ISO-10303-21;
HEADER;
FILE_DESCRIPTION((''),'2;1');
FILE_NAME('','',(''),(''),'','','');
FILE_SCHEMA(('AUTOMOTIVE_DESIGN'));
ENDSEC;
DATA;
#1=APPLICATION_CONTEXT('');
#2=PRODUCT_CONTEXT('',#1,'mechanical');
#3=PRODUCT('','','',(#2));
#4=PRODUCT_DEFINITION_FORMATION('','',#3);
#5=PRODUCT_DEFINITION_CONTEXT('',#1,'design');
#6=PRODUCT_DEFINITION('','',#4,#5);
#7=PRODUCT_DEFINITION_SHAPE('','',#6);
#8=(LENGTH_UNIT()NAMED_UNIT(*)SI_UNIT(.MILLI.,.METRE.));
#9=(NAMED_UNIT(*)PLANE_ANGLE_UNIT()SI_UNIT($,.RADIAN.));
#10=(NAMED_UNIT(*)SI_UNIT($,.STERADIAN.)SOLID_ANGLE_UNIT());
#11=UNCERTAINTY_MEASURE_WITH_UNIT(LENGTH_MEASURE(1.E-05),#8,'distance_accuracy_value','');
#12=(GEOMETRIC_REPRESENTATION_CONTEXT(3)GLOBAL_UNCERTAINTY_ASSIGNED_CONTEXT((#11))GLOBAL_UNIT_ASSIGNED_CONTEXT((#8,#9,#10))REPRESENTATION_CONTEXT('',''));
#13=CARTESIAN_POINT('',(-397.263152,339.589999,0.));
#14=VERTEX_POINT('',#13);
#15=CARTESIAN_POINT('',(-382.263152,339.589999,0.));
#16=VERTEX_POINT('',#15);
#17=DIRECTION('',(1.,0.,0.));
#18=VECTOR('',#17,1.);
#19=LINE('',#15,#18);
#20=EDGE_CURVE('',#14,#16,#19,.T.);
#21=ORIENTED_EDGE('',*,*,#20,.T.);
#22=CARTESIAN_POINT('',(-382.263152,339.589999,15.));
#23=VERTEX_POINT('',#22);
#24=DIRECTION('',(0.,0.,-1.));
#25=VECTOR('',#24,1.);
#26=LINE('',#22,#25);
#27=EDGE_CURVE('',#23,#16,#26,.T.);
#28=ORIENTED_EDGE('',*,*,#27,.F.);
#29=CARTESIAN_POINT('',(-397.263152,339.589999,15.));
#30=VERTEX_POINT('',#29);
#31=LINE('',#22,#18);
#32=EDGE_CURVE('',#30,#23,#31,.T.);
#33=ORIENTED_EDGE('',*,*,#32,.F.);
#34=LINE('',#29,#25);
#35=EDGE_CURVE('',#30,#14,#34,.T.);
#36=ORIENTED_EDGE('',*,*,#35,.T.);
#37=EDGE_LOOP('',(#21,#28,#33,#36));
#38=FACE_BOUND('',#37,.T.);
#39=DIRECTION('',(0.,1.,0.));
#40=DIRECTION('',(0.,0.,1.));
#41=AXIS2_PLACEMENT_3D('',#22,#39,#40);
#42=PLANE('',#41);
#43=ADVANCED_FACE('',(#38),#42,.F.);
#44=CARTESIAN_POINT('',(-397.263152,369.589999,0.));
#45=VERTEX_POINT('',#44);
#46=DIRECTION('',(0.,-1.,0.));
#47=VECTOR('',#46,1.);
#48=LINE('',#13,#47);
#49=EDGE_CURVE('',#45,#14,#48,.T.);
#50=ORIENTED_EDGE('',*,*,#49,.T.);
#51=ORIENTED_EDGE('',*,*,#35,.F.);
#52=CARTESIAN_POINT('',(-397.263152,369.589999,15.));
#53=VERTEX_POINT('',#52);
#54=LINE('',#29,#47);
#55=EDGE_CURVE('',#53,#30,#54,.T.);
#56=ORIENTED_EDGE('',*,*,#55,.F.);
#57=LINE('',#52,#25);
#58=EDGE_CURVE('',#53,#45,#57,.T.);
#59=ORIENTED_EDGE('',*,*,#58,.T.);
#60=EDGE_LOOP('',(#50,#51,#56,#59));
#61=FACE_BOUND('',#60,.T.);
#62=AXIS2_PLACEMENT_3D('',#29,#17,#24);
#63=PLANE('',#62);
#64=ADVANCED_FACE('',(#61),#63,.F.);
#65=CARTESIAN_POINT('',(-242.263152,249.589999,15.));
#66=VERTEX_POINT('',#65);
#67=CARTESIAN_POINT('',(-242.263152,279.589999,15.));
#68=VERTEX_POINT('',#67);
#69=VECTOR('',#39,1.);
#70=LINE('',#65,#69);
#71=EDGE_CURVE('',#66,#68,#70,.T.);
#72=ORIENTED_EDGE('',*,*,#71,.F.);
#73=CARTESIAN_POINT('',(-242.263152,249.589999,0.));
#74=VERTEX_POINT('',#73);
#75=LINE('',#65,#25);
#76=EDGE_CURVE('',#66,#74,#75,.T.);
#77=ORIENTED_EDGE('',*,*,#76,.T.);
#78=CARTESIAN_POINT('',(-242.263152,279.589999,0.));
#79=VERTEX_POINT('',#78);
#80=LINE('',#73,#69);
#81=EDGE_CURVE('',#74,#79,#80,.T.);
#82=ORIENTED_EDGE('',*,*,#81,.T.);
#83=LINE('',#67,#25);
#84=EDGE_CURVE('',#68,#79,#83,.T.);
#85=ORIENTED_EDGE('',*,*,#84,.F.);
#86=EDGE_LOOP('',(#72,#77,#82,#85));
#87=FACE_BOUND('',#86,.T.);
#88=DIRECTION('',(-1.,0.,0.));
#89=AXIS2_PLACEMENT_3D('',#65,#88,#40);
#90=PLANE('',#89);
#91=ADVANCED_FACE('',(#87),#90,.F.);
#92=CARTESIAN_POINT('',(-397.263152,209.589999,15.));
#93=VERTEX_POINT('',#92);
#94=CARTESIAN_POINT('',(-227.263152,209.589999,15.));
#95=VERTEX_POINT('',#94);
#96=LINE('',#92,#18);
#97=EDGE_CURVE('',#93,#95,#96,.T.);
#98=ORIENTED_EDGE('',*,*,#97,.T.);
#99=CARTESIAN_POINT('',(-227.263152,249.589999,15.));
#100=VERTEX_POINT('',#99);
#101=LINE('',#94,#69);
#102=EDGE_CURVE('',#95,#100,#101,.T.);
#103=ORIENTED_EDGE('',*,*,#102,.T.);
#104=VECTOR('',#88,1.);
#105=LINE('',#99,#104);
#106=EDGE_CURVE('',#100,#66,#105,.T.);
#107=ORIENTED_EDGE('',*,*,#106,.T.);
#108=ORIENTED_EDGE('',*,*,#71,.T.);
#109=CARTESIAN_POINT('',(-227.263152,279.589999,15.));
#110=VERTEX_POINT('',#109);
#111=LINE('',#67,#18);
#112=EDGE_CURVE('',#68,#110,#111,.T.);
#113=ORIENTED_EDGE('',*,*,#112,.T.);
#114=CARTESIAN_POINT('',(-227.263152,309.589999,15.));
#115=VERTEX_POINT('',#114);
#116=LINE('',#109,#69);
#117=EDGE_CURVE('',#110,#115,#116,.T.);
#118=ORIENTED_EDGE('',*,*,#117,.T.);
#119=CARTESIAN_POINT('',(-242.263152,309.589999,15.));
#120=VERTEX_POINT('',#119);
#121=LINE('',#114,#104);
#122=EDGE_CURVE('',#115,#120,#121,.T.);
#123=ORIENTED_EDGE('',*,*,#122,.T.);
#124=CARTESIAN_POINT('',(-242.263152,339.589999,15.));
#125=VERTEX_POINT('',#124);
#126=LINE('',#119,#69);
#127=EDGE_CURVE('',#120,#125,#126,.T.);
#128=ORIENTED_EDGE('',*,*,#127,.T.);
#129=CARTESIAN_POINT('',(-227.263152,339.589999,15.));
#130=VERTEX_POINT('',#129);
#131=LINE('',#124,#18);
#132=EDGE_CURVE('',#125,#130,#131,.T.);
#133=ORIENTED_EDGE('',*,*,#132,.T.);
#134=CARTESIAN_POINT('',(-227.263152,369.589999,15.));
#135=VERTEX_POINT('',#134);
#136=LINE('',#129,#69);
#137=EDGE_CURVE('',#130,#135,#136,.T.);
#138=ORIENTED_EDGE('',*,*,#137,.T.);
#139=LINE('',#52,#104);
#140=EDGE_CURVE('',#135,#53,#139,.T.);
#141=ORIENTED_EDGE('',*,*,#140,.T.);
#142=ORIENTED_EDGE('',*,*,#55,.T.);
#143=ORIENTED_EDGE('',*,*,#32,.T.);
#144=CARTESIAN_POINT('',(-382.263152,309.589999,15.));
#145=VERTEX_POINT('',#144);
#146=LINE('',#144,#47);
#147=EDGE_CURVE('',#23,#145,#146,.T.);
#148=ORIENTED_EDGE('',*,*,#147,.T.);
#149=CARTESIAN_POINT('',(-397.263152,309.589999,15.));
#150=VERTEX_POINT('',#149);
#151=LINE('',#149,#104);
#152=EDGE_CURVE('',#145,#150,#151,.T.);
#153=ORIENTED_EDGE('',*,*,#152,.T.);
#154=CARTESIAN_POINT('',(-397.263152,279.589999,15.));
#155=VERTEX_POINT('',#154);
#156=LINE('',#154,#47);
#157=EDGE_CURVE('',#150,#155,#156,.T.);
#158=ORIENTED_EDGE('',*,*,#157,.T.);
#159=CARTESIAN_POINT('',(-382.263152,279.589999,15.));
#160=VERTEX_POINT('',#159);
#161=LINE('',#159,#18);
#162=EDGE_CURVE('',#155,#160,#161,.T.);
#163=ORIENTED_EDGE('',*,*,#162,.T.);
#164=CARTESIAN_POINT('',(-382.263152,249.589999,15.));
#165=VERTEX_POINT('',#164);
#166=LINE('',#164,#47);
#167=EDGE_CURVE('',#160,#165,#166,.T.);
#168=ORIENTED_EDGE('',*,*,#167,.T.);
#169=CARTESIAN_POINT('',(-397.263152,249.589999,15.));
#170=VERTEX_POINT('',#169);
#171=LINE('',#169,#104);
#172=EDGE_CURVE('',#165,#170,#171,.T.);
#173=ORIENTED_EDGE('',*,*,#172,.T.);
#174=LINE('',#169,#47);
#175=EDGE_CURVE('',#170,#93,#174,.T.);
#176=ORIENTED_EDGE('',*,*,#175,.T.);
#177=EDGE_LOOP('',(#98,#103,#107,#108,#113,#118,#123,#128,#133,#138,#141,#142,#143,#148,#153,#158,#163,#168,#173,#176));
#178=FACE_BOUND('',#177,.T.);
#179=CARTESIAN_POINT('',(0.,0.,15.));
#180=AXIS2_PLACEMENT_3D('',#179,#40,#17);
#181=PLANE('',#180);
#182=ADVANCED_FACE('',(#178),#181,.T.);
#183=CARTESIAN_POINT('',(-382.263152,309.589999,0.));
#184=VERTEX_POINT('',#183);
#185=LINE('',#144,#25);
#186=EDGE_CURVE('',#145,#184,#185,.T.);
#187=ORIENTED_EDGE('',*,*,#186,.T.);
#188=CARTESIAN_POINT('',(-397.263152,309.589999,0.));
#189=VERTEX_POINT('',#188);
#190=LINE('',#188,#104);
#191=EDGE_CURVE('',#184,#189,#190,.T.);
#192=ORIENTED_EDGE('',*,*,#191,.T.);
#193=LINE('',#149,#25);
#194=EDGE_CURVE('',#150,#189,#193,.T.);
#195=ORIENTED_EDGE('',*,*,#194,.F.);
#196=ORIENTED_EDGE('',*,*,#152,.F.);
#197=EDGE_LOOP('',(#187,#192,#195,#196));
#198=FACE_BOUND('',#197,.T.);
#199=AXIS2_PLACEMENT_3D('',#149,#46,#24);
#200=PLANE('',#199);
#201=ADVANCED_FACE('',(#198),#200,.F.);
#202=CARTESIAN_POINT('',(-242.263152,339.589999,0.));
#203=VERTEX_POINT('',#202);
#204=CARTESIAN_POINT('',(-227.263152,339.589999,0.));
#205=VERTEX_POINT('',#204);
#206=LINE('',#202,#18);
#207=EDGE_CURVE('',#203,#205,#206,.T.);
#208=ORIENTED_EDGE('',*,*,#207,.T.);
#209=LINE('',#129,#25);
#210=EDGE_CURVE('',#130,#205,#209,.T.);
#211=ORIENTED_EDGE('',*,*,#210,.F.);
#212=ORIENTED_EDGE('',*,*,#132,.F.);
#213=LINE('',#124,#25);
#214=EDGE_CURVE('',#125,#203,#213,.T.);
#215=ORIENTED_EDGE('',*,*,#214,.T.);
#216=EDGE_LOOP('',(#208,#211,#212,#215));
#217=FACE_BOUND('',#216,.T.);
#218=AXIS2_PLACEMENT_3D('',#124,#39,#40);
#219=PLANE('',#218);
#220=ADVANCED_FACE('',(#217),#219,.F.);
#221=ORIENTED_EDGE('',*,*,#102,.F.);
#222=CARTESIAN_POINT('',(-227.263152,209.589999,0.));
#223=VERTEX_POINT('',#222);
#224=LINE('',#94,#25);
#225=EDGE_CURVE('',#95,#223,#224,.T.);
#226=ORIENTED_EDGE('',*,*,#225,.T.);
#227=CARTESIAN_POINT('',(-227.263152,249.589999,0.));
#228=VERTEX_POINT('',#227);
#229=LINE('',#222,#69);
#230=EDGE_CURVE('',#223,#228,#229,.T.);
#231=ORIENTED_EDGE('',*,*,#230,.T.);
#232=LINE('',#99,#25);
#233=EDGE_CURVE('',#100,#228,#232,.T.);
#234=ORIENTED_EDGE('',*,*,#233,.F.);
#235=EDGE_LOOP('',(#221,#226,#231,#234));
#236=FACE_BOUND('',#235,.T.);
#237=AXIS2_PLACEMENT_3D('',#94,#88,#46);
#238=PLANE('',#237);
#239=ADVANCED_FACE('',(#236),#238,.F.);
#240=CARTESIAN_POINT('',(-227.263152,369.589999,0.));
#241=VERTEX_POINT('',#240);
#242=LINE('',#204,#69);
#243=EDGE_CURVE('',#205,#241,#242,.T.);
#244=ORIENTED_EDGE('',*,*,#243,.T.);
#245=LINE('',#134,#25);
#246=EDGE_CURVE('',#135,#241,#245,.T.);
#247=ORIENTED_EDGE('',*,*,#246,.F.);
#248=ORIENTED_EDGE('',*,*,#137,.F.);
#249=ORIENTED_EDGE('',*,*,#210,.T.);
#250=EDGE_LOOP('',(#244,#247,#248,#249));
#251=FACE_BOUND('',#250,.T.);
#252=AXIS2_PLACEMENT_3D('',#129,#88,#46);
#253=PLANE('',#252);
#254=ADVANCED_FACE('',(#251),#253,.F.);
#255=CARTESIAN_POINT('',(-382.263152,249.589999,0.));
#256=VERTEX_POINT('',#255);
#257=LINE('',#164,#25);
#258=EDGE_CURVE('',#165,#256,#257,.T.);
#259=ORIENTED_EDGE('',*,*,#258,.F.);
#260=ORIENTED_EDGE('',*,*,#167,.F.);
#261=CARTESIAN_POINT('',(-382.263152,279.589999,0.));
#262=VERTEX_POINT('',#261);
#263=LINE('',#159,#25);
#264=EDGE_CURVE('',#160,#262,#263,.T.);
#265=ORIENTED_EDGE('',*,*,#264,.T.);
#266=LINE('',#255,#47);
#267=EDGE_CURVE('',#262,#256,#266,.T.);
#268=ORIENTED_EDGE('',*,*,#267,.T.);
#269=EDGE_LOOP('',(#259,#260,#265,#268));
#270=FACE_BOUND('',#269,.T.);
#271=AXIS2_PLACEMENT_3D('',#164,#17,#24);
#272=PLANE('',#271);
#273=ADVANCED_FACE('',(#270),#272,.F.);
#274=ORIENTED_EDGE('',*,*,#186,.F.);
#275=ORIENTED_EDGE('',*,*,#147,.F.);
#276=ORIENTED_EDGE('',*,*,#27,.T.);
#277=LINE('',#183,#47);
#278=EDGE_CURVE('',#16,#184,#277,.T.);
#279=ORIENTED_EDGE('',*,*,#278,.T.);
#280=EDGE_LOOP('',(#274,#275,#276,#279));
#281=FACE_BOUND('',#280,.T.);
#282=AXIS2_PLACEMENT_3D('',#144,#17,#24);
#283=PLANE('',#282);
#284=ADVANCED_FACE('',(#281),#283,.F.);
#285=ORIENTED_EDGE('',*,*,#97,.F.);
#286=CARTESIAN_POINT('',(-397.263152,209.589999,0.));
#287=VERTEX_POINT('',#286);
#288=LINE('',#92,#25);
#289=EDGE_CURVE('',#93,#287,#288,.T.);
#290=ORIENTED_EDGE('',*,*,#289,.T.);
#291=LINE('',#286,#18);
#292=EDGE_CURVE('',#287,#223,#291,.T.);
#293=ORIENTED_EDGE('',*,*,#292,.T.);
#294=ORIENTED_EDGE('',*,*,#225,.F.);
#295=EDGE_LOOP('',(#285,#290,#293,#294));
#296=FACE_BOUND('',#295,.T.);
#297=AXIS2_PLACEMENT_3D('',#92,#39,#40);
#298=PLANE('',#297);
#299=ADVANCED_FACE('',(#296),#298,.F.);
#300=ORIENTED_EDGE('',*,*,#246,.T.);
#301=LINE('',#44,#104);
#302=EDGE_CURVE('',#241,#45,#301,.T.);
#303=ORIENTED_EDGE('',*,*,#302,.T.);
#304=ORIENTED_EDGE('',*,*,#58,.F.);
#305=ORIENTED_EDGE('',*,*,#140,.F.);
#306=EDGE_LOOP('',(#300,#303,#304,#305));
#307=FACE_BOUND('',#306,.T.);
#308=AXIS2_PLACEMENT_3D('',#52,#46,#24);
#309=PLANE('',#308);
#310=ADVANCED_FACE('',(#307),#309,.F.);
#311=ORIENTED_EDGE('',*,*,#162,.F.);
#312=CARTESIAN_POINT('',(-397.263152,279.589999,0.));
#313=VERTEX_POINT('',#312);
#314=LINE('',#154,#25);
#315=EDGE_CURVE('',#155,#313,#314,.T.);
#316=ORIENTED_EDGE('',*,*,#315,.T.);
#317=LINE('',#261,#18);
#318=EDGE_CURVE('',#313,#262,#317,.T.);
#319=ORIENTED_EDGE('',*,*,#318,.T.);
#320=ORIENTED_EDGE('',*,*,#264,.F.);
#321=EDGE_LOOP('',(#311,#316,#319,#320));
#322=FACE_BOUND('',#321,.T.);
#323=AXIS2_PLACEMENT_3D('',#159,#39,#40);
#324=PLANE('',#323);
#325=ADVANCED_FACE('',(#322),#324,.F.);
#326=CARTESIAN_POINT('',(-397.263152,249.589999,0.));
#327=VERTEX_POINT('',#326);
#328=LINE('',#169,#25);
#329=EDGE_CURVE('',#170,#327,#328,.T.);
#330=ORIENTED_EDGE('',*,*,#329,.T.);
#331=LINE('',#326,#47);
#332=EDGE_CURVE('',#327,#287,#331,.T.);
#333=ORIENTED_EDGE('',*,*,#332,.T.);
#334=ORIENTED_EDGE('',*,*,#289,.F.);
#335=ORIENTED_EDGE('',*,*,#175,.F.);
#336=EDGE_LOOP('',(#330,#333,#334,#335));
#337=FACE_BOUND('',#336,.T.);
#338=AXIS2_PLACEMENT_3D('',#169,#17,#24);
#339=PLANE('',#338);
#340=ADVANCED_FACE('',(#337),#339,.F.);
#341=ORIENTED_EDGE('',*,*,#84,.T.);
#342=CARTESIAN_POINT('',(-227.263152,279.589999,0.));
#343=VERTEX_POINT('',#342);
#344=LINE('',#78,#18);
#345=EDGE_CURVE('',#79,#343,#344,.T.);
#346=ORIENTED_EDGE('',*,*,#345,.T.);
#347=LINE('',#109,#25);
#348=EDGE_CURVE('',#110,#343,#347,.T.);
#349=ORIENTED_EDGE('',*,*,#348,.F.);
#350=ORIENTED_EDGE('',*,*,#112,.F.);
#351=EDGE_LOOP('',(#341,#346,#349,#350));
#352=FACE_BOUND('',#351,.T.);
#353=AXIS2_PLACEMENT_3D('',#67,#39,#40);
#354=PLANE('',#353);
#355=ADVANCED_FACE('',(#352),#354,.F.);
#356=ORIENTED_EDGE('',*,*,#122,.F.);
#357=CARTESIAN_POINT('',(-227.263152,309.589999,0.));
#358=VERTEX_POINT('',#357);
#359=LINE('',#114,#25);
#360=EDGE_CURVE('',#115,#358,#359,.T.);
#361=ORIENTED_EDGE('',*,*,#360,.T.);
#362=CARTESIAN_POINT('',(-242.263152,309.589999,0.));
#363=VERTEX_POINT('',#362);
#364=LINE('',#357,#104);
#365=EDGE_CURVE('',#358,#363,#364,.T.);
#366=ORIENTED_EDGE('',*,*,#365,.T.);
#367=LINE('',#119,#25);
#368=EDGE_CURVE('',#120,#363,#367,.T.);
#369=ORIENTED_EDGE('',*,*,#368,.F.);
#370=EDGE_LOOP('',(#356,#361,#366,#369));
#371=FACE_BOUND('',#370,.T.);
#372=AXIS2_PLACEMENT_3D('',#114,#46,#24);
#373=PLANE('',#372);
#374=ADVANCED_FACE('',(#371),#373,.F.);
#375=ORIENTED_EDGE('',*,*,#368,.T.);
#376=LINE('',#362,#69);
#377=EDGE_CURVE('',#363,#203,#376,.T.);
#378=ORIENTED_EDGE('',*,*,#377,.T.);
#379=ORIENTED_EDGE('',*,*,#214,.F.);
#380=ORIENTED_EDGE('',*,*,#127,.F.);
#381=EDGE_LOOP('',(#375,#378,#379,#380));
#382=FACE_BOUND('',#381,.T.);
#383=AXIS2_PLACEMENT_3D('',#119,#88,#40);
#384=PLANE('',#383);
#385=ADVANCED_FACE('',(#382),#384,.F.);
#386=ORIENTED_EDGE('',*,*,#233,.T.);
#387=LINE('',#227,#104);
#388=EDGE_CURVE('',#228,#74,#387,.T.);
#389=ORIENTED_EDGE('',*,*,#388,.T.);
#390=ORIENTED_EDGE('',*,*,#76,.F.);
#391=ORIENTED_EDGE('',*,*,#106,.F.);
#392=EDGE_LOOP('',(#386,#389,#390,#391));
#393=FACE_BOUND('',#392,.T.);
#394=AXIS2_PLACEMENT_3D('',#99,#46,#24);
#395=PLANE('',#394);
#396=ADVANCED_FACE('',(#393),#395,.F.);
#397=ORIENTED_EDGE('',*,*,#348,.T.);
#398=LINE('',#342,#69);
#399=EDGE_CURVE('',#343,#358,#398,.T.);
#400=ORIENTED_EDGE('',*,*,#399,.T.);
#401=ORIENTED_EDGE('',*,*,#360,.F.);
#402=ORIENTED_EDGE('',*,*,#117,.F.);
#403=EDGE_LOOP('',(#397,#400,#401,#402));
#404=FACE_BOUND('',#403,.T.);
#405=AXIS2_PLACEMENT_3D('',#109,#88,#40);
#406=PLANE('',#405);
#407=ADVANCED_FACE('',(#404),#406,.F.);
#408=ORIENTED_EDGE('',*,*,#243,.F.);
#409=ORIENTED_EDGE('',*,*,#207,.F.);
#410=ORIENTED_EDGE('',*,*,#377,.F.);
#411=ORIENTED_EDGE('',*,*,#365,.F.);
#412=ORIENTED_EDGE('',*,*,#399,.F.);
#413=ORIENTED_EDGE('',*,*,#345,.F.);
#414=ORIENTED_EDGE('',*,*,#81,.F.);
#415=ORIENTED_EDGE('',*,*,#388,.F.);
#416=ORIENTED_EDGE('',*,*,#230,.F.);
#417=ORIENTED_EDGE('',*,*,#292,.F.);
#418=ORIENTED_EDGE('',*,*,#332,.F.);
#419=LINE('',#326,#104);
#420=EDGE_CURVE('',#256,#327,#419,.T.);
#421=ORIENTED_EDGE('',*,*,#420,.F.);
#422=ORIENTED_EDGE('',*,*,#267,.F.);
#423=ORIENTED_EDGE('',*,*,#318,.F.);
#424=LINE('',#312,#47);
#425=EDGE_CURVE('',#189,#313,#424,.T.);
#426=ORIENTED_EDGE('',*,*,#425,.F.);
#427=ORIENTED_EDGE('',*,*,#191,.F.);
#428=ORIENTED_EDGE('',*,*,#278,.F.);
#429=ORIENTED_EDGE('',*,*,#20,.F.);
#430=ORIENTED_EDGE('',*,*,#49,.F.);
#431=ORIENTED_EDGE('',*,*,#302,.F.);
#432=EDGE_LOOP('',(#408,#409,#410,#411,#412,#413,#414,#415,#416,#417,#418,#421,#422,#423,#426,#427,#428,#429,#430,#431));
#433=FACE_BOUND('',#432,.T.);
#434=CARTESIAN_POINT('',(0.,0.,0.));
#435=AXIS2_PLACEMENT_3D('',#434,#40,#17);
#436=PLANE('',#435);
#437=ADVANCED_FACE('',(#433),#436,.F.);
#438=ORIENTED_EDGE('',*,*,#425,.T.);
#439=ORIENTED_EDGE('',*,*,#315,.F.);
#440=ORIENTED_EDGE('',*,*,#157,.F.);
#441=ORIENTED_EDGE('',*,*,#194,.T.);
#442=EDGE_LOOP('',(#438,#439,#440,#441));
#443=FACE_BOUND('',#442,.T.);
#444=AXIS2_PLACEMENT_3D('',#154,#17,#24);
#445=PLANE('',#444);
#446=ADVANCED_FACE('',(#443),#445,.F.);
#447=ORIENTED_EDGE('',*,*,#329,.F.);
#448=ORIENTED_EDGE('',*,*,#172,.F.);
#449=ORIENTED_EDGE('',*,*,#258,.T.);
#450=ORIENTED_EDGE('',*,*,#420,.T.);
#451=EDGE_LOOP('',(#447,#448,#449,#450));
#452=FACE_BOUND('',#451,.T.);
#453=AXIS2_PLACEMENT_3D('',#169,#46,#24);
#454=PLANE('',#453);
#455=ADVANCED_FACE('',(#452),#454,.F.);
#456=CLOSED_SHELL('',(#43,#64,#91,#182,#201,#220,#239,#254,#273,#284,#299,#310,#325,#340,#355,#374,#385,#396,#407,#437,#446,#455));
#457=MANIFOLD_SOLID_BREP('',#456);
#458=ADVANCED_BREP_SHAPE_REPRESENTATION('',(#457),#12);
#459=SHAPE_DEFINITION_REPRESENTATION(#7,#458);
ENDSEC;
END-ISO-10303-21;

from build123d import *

# Parameters (mm, degrees)
BOSS_EXTRUDE1_DEPTH = 15


with BuildPart() as part:
    # Sketch1 → Boss-Extrude1 (new body)
    with BuildSketch(Plane.XY):
        Polygon((-397.263152268, 209.589998969), (-227.263152268, 209.589998969), (-227.263152268, 249.589998969), (-242.263152268, 249.589998969), (-242.263152268, 279.589998969), (-227.263152268, 279.589998969), (-227.263152268, 309.589998969), (-242.263152268, 309.589998969), (-242.263152268, 339.589998969), (-227.263152268, 339.589998969), (-227.263152268, 369.589998969), (-397.263152268, 369.589998969), (-397.263152268, 339.589998969), (-382.263152268, 339.589998969), (-382.263152268, 309.589998969), (-397.263152268, 309.589998969), (-397.263152268, 279.589998969), (-382.263152268, 279.589998969), (-382.263152268, 249.589998969), (-397.263152268, 249.589998969), align=None)
    extrude(amount=BOSS_EXTRUDE1_DEPTH)


solid = part.part
